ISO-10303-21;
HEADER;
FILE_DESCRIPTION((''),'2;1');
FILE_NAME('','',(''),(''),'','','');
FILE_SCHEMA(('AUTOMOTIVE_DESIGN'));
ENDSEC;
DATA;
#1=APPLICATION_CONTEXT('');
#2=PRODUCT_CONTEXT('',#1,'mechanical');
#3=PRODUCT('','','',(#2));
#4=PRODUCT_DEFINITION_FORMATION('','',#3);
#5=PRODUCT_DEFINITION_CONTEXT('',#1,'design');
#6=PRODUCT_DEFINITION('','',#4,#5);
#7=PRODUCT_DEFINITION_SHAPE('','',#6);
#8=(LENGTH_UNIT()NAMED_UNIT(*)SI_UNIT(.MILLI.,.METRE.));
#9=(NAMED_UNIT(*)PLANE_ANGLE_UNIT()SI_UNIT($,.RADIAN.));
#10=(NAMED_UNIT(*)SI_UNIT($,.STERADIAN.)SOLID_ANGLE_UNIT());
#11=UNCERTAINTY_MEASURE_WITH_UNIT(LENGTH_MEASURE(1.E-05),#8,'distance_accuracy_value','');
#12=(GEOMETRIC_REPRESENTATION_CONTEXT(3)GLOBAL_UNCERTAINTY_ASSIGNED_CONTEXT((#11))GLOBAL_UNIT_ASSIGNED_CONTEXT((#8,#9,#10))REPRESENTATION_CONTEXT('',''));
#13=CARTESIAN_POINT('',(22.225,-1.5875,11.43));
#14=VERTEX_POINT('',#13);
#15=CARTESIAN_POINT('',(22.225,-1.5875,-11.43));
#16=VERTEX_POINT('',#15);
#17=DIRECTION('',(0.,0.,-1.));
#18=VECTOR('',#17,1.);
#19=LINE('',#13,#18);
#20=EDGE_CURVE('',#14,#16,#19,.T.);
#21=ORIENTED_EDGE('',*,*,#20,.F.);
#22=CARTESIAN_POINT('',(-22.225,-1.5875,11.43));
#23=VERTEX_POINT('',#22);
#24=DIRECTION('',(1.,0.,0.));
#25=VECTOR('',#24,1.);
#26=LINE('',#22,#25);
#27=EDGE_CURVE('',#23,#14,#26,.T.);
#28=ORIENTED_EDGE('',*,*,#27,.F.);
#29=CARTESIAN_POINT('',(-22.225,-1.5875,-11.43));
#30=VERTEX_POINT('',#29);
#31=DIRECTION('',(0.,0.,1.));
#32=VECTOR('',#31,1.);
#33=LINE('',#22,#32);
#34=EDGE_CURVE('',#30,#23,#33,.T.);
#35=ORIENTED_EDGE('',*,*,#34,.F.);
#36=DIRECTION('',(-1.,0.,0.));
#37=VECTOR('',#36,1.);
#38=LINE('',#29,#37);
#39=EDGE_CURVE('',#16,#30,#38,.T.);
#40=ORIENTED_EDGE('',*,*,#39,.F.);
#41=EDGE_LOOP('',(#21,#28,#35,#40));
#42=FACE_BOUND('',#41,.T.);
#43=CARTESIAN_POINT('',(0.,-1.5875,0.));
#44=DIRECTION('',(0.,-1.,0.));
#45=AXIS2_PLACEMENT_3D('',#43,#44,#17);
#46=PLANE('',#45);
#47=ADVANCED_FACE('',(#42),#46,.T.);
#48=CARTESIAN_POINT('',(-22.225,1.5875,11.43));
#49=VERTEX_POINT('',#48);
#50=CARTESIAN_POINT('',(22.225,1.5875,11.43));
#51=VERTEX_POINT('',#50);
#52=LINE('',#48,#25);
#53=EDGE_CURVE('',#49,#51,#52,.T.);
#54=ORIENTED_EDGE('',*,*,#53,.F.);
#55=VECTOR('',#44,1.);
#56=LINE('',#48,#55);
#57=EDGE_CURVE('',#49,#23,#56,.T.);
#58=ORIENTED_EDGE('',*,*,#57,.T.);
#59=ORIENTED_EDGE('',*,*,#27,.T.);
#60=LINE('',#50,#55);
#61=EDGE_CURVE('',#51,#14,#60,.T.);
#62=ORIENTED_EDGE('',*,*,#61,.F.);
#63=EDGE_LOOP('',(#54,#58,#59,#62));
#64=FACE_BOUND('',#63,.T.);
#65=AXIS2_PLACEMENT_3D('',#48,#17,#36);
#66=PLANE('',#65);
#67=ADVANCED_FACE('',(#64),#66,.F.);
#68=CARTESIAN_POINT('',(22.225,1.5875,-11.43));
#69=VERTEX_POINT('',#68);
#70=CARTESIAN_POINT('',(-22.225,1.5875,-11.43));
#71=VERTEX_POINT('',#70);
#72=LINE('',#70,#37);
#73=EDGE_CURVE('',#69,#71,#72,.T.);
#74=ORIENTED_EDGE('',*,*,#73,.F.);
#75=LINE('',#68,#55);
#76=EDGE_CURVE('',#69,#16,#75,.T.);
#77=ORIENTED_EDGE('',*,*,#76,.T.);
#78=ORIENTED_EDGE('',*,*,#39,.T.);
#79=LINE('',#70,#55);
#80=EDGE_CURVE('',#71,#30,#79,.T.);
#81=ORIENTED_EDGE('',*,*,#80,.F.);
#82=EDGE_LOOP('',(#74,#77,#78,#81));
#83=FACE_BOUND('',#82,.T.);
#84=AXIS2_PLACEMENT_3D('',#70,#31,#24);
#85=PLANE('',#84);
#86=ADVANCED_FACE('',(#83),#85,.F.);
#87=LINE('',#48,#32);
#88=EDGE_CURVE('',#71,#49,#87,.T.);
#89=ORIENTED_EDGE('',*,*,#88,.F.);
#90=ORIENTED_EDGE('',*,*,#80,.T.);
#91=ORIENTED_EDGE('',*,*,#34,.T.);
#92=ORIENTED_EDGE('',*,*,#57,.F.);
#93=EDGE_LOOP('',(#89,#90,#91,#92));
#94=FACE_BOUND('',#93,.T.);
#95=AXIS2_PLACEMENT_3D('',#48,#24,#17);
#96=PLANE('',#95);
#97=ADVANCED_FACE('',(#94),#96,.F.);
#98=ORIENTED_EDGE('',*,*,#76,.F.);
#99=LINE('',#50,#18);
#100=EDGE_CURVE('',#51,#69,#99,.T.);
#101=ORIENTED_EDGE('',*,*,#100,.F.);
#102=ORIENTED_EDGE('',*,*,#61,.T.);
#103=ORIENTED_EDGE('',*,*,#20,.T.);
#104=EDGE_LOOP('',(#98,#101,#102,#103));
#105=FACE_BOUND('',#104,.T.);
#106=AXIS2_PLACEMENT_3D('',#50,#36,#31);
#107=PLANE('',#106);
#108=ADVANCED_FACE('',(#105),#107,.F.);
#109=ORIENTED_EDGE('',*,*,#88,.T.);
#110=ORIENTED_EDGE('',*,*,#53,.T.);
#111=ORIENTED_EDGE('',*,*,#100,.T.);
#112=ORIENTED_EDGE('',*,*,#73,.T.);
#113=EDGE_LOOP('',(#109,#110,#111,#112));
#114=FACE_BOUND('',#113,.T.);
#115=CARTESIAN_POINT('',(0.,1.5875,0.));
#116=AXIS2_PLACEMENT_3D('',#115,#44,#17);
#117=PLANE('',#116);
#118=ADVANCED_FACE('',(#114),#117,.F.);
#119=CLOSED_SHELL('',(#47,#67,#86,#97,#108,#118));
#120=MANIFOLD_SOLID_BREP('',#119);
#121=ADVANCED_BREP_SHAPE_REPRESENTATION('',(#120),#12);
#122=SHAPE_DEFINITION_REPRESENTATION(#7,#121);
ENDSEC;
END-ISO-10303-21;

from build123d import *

# Parameters (mm, degrees)
SKETCH1_W           = 44.45
SKETCH1_H           = 22.86
BOSS_EXTRUDE1_DEPTH = 1.5875


with BuildPart() as part:
    # Sketch1 → Boss-Extrude1 (new body, symmetric)
    with BuildSketch(Plane(origin=(0, 0, 0), x_dir=(1, 0, 0), z_dir=(0, 1, 0))):
        Rectangle(SKETCH1_W, SKETCH1_H)
    extrude(amount=BOSS_EXTRUDE1_DEPTH, both=True)


solid = part.part
